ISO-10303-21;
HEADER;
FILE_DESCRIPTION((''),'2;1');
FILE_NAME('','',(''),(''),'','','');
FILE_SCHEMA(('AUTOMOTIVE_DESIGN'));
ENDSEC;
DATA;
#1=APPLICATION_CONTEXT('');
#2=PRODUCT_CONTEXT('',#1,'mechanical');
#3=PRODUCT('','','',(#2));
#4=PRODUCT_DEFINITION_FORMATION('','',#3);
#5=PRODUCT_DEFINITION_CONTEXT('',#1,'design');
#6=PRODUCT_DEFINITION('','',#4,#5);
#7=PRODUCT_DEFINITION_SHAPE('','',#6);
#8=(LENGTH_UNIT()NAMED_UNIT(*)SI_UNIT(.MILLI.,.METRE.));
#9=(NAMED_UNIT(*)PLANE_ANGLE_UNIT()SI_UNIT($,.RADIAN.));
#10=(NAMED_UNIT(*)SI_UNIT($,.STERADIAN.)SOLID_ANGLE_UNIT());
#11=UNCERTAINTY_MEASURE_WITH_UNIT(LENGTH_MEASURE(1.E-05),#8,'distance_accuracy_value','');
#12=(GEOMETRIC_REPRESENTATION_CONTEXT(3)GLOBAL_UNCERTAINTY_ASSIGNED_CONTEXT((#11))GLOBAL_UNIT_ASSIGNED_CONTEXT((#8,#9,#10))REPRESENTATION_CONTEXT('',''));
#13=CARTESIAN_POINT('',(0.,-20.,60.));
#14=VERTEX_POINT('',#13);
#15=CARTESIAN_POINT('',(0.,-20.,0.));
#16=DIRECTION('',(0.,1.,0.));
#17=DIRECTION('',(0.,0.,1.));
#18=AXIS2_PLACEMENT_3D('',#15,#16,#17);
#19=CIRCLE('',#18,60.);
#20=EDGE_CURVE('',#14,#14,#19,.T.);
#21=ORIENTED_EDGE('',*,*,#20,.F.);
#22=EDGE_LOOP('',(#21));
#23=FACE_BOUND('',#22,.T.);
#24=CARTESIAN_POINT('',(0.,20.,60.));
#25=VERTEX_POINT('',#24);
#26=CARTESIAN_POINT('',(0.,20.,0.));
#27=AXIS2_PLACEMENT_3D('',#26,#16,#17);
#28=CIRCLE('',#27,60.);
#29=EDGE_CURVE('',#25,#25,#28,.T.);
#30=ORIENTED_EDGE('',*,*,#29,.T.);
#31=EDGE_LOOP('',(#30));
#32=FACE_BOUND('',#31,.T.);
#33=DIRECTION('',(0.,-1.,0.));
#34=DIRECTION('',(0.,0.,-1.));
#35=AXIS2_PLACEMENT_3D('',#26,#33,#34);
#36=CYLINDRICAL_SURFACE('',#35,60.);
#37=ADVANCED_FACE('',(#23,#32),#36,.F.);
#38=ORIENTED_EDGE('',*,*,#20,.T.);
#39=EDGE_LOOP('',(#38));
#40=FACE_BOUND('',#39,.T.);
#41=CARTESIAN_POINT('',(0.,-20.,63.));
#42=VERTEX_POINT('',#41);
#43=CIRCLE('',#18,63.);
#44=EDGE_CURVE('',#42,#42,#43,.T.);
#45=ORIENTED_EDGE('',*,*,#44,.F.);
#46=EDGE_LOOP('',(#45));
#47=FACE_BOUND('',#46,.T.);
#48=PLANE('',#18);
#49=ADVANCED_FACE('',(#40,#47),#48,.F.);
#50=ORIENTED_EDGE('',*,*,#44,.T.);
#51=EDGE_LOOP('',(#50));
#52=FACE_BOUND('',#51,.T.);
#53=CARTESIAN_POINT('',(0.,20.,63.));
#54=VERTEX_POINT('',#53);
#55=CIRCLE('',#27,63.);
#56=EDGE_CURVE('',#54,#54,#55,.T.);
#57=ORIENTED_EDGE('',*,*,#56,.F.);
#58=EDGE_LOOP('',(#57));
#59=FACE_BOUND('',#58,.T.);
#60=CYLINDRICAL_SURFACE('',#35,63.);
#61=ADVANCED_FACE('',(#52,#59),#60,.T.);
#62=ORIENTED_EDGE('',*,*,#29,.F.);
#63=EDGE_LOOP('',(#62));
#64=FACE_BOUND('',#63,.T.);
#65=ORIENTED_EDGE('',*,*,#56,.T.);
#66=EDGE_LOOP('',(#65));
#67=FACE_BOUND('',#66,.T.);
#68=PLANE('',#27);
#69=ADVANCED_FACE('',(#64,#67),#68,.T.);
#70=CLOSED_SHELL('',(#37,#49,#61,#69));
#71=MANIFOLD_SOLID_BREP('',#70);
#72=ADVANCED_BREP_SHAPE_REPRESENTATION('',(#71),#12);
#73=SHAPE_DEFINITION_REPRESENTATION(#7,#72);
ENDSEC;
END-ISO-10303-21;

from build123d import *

# Parameters (mm, degrees)
SKETCH_1_R      = 63
SKETCH_1_R_2    = 60
EXTRUDE_1_DEPTH = 20


with BuildPart() as part:
    # 草图1 → 凸台-拉伸1 (new, symmetric)
    with BuildSketch(Plane(origin=(0, 0, 0), x_dir=(1, 0, 0), z_dir=(0, 1, 0))):
        with Locations(Location((0, 0, 0), (0, 0, 270))):
            Circle(SKETCH_1_R)
        with Locations(Location((0, 0, 0), (0, 0, 270))):
            Circle(SKETCH_1_R_2, mode=Mode.SUBTRACT)
    extrude(amount=EXTRUDE_1_DEPTH, both=True)


solid = part.part
